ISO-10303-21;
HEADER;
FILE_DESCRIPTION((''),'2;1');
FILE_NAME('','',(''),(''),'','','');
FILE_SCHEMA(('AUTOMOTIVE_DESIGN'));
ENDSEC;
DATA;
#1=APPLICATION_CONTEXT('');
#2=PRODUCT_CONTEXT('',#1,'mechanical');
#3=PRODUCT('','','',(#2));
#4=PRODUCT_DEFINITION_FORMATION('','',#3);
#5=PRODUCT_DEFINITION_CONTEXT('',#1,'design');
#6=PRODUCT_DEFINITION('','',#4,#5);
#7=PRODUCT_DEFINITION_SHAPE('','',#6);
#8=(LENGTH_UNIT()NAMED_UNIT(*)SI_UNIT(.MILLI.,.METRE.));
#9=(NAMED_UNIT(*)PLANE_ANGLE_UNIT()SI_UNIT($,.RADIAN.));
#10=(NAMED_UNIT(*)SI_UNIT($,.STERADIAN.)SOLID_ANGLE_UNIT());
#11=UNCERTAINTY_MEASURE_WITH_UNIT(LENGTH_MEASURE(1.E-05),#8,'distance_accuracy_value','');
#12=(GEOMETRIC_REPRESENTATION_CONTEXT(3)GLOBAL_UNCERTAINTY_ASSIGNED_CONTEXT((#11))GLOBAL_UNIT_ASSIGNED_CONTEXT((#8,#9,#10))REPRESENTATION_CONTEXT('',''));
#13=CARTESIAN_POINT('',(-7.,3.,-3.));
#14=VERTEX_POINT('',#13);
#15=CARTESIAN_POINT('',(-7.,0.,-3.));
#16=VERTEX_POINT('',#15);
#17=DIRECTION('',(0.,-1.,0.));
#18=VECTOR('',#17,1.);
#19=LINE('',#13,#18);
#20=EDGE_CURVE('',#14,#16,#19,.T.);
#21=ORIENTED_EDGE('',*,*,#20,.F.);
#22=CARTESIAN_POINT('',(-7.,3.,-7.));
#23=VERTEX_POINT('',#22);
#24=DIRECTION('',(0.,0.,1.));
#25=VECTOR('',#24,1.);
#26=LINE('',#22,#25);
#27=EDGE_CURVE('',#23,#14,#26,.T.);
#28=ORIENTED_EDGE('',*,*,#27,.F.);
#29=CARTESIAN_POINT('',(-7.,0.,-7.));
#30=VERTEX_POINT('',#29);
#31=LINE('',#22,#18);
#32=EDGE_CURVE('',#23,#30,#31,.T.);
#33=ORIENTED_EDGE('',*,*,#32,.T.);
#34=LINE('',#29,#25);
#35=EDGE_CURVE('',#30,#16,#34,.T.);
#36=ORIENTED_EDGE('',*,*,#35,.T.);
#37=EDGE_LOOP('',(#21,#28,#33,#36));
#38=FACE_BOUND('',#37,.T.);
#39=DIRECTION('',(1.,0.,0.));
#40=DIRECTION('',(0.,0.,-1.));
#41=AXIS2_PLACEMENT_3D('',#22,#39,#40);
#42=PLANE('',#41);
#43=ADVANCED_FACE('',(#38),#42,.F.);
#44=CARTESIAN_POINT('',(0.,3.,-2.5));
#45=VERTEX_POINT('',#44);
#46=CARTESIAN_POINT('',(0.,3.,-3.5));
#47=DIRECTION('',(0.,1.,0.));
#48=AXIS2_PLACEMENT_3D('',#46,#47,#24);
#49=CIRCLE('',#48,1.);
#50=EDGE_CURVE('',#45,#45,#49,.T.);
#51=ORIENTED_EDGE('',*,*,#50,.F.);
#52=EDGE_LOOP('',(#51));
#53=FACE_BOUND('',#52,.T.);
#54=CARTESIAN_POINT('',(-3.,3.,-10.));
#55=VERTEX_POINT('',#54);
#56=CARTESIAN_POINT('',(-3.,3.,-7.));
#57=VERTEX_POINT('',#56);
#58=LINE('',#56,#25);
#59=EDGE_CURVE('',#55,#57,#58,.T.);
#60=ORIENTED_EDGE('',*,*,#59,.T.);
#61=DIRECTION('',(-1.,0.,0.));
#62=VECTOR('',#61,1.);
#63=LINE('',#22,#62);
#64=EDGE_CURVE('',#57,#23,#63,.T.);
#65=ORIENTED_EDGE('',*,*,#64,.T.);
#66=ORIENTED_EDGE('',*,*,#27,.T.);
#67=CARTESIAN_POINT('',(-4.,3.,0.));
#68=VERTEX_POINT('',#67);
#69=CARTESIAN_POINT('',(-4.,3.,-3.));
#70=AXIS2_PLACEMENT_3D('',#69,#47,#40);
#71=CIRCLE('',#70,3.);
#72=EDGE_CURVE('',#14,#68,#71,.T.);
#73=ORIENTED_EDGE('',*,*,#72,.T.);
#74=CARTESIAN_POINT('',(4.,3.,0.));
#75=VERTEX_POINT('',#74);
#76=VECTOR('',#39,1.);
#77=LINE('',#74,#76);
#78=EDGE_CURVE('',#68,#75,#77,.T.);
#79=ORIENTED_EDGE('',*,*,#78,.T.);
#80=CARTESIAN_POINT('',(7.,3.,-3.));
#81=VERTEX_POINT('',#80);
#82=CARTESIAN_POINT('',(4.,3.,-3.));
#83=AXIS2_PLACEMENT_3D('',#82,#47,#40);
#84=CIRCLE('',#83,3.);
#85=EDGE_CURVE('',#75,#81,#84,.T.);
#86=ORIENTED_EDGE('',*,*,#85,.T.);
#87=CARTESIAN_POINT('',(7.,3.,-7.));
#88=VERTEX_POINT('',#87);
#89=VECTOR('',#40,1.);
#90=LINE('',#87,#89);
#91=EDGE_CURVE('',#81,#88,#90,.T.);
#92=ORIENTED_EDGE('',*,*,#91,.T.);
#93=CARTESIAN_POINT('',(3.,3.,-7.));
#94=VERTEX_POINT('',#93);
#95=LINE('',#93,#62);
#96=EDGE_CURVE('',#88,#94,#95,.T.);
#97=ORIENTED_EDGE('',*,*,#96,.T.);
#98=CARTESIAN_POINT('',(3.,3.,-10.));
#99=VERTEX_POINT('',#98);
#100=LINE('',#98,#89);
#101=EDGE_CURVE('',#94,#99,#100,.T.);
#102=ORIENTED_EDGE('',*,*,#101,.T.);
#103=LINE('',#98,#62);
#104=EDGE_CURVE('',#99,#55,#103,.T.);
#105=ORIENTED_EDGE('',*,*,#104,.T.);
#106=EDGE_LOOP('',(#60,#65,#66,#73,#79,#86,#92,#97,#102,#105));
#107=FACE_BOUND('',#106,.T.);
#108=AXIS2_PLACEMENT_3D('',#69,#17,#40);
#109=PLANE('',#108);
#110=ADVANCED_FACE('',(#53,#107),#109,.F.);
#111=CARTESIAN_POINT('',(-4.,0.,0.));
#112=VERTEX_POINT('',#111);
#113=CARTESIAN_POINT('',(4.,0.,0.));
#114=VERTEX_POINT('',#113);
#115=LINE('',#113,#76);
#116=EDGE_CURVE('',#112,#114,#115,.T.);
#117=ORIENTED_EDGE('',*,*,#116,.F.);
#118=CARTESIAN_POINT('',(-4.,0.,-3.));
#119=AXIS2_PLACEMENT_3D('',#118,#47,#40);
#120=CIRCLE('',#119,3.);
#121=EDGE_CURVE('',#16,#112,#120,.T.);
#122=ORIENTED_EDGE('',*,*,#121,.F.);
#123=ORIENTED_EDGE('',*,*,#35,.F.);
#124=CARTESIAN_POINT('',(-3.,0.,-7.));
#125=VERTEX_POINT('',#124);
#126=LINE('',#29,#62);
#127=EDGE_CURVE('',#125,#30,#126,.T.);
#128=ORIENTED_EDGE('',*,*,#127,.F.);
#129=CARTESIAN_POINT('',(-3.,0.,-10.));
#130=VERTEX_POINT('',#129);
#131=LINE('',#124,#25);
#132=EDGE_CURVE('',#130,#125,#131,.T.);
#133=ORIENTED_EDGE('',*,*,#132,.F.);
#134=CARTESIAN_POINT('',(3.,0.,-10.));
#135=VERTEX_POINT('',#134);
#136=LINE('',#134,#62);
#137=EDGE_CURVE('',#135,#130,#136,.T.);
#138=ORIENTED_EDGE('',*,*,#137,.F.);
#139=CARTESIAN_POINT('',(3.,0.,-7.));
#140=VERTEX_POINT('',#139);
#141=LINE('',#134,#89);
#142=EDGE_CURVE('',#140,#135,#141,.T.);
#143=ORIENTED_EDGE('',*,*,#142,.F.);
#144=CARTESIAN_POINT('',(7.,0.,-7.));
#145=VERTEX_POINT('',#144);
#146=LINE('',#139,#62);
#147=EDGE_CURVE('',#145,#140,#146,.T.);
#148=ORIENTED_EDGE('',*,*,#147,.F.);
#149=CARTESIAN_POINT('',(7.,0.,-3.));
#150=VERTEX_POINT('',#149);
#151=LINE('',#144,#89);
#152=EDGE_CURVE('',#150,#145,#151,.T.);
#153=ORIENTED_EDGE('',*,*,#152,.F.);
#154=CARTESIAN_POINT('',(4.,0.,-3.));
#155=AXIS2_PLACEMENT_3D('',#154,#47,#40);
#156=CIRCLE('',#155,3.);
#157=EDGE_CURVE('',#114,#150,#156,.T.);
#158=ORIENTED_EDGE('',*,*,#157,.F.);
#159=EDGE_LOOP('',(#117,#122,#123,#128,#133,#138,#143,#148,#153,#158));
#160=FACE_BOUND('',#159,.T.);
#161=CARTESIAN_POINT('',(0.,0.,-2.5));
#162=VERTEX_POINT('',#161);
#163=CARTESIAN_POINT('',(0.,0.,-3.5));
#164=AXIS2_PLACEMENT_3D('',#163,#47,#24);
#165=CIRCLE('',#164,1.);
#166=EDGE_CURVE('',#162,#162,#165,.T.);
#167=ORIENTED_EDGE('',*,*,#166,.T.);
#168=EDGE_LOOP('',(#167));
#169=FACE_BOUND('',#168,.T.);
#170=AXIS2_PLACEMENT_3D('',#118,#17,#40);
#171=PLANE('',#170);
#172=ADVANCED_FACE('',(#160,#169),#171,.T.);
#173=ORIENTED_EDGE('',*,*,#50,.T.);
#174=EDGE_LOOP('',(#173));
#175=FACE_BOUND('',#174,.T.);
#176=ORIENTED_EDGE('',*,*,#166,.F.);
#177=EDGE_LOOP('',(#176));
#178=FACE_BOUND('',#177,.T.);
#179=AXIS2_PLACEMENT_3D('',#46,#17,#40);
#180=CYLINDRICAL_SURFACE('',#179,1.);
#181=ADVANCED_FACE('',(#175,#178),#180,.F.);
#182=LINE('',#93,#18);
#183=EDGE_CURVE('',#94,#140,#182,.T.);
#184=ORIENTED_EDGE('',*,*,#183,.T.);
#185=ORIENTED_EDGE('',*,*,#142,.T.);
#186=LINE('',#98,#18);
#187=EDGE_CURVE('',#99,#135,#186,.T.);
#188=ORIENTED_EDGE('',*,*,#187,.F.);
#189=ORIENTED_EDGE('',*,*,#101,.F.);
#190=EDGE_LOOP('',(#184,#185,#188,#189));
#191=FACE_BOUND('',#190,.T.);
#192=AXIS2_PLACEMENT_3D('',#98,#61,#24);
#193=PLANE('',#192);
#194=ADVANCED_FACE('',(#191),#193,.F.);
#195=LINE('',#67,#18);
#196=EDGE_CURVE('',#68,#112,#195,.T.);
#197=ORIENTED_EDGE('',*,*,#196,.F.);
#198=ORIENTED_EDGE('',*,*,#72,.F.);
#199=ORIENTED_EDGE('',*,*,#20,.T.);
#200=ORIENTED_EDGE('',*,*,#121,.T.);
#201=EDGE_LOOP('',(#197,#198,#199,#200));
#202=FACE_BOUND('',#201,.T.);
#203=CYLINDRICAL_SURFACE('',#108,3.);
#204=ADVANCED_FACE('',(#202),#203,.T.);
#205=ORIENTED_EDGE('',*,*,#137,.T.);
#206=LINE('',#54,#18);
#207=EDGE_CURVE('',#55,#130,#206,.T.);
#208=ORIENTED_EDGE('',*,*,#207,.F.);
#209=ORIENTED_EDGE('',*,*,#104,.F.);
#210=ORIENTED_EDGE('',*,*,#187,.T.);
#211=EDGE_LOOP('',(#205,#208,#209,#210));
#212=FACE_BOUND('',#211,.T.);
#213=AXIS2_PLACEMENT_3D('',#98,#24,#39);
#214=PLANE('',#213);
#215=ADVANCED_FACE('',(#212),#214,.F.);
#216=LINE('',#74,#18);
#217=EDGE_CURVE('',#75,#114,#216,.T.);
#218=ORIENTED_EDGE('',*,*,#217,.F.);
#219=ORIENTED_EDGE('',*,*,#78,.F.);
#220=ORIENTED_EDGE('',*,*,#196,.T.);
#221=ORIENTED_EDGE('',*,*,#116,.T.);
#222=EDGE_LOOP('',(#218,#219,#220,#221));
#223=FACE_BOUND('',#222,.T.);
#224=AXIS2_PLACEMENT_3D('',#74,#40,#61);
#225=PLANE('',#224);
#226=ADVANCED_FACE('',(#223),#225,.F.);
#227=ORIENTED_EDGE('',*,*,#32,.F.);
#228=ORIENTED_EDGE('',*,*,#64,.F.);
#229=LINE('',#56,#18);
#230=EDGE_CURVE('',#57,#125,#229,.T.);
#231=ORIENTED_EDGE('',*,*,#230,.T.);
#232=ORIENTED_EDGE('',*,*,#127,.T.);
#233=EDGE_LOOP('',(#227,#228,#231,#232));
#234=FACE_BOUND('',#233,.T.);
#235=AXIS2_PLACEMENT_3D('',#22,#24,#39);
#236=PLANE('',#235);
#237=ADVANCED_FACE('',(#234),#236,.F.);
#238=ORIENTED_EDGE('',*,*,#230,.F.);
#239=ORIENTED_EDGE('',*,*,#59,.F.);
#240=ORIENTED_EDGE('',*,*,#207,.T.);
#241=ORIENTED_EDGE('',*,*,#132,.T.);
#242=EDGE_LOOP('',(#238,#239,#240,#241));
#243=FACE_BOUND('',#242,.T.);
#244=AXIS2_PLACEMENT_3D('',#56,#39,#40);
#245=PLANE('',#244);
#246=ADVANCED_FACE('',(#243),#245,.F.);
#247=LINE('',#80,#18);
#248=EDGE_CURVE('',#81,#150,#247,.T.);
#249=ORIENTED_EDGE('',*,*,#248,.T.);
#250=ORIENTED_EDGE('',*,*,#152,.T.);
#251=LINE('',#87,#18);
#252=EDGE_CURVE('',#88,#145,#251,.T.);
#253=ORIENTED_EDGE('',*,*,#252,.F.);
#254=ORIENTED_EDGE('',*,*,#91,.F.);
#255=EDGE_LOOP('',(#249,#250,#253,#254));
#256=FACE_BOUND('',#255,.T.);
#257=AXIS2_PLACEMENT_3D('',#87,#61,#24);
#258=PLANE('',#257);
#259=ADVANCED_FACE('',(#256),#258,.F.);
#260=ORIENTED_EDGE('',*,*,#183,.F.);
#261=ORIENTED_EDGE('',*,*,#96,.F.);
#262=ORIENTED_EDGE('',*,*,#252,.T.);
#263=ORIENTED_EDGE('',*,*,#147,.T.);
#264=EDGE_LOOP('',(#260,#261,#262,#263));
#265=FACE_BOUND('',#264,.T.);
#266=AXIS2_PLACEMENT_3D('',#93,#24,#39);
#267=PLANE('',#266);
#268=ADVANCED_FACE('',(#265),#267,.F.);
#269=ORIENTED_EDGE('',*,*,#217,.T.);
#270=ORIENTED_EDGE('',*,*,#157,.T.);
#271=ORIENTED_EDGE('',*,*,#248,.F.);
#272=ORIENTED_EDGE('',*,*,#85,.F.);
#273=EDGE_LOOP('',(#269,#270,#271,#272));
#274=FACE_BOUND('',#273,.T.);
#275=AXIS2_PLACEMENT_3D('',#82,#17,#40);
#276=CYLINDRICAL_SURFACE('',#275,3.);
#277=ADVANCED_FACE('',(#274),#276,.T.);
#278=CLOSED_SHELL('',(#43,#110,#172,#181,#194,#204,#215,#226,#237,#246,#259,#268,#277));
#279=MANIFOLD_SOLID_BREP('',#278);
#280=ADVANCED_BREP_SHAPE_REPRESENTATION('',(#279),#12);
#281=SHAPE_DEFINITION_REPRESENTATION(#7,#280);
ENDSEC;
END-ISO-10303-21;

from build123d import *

# Parameters (mm, degrees)
ESQUISSE1_R        = 1
BOSS_EXTRU_1_DEPTH = 3


with BuildPart() as part:
    # Esquisse1 → Boss.-Extru.1 (new body)
    with BuildSketch(Plane(origin=(0, 0, 0), x_dir=(1, 0, 0), z_dir=(0, 1, 0))):
        with BuildLine():
            Line((-7, 7), (-3, 7))
            Line((-3, 7), (-3, 10))
            Line((-3, 10), (3, 10))
            Line((3, 10), (3, 7))
            Line((3, 7), (7, 7))
            Line((7, 7), (7, 3))
            ThreePointArc((7, 3), (6.121320344, 0.878679656), (4, 0))
            Line((4, 0), (-4, 0))
            ThreePointArc((-4, 0), (-6.121320344, 0.878679656), (-7, 3))
            Line((-7, 3), (-7, 7))
        make_face()
        with Locations(Location((0, 3.5, 0), (0, 0, 270))):
            Circle(ESQUISSE1_R, mode=Mode.SUBTRACT)
    extrude(amount=BOSS_EXTRU_1_DEPTH)


solid = part.part
